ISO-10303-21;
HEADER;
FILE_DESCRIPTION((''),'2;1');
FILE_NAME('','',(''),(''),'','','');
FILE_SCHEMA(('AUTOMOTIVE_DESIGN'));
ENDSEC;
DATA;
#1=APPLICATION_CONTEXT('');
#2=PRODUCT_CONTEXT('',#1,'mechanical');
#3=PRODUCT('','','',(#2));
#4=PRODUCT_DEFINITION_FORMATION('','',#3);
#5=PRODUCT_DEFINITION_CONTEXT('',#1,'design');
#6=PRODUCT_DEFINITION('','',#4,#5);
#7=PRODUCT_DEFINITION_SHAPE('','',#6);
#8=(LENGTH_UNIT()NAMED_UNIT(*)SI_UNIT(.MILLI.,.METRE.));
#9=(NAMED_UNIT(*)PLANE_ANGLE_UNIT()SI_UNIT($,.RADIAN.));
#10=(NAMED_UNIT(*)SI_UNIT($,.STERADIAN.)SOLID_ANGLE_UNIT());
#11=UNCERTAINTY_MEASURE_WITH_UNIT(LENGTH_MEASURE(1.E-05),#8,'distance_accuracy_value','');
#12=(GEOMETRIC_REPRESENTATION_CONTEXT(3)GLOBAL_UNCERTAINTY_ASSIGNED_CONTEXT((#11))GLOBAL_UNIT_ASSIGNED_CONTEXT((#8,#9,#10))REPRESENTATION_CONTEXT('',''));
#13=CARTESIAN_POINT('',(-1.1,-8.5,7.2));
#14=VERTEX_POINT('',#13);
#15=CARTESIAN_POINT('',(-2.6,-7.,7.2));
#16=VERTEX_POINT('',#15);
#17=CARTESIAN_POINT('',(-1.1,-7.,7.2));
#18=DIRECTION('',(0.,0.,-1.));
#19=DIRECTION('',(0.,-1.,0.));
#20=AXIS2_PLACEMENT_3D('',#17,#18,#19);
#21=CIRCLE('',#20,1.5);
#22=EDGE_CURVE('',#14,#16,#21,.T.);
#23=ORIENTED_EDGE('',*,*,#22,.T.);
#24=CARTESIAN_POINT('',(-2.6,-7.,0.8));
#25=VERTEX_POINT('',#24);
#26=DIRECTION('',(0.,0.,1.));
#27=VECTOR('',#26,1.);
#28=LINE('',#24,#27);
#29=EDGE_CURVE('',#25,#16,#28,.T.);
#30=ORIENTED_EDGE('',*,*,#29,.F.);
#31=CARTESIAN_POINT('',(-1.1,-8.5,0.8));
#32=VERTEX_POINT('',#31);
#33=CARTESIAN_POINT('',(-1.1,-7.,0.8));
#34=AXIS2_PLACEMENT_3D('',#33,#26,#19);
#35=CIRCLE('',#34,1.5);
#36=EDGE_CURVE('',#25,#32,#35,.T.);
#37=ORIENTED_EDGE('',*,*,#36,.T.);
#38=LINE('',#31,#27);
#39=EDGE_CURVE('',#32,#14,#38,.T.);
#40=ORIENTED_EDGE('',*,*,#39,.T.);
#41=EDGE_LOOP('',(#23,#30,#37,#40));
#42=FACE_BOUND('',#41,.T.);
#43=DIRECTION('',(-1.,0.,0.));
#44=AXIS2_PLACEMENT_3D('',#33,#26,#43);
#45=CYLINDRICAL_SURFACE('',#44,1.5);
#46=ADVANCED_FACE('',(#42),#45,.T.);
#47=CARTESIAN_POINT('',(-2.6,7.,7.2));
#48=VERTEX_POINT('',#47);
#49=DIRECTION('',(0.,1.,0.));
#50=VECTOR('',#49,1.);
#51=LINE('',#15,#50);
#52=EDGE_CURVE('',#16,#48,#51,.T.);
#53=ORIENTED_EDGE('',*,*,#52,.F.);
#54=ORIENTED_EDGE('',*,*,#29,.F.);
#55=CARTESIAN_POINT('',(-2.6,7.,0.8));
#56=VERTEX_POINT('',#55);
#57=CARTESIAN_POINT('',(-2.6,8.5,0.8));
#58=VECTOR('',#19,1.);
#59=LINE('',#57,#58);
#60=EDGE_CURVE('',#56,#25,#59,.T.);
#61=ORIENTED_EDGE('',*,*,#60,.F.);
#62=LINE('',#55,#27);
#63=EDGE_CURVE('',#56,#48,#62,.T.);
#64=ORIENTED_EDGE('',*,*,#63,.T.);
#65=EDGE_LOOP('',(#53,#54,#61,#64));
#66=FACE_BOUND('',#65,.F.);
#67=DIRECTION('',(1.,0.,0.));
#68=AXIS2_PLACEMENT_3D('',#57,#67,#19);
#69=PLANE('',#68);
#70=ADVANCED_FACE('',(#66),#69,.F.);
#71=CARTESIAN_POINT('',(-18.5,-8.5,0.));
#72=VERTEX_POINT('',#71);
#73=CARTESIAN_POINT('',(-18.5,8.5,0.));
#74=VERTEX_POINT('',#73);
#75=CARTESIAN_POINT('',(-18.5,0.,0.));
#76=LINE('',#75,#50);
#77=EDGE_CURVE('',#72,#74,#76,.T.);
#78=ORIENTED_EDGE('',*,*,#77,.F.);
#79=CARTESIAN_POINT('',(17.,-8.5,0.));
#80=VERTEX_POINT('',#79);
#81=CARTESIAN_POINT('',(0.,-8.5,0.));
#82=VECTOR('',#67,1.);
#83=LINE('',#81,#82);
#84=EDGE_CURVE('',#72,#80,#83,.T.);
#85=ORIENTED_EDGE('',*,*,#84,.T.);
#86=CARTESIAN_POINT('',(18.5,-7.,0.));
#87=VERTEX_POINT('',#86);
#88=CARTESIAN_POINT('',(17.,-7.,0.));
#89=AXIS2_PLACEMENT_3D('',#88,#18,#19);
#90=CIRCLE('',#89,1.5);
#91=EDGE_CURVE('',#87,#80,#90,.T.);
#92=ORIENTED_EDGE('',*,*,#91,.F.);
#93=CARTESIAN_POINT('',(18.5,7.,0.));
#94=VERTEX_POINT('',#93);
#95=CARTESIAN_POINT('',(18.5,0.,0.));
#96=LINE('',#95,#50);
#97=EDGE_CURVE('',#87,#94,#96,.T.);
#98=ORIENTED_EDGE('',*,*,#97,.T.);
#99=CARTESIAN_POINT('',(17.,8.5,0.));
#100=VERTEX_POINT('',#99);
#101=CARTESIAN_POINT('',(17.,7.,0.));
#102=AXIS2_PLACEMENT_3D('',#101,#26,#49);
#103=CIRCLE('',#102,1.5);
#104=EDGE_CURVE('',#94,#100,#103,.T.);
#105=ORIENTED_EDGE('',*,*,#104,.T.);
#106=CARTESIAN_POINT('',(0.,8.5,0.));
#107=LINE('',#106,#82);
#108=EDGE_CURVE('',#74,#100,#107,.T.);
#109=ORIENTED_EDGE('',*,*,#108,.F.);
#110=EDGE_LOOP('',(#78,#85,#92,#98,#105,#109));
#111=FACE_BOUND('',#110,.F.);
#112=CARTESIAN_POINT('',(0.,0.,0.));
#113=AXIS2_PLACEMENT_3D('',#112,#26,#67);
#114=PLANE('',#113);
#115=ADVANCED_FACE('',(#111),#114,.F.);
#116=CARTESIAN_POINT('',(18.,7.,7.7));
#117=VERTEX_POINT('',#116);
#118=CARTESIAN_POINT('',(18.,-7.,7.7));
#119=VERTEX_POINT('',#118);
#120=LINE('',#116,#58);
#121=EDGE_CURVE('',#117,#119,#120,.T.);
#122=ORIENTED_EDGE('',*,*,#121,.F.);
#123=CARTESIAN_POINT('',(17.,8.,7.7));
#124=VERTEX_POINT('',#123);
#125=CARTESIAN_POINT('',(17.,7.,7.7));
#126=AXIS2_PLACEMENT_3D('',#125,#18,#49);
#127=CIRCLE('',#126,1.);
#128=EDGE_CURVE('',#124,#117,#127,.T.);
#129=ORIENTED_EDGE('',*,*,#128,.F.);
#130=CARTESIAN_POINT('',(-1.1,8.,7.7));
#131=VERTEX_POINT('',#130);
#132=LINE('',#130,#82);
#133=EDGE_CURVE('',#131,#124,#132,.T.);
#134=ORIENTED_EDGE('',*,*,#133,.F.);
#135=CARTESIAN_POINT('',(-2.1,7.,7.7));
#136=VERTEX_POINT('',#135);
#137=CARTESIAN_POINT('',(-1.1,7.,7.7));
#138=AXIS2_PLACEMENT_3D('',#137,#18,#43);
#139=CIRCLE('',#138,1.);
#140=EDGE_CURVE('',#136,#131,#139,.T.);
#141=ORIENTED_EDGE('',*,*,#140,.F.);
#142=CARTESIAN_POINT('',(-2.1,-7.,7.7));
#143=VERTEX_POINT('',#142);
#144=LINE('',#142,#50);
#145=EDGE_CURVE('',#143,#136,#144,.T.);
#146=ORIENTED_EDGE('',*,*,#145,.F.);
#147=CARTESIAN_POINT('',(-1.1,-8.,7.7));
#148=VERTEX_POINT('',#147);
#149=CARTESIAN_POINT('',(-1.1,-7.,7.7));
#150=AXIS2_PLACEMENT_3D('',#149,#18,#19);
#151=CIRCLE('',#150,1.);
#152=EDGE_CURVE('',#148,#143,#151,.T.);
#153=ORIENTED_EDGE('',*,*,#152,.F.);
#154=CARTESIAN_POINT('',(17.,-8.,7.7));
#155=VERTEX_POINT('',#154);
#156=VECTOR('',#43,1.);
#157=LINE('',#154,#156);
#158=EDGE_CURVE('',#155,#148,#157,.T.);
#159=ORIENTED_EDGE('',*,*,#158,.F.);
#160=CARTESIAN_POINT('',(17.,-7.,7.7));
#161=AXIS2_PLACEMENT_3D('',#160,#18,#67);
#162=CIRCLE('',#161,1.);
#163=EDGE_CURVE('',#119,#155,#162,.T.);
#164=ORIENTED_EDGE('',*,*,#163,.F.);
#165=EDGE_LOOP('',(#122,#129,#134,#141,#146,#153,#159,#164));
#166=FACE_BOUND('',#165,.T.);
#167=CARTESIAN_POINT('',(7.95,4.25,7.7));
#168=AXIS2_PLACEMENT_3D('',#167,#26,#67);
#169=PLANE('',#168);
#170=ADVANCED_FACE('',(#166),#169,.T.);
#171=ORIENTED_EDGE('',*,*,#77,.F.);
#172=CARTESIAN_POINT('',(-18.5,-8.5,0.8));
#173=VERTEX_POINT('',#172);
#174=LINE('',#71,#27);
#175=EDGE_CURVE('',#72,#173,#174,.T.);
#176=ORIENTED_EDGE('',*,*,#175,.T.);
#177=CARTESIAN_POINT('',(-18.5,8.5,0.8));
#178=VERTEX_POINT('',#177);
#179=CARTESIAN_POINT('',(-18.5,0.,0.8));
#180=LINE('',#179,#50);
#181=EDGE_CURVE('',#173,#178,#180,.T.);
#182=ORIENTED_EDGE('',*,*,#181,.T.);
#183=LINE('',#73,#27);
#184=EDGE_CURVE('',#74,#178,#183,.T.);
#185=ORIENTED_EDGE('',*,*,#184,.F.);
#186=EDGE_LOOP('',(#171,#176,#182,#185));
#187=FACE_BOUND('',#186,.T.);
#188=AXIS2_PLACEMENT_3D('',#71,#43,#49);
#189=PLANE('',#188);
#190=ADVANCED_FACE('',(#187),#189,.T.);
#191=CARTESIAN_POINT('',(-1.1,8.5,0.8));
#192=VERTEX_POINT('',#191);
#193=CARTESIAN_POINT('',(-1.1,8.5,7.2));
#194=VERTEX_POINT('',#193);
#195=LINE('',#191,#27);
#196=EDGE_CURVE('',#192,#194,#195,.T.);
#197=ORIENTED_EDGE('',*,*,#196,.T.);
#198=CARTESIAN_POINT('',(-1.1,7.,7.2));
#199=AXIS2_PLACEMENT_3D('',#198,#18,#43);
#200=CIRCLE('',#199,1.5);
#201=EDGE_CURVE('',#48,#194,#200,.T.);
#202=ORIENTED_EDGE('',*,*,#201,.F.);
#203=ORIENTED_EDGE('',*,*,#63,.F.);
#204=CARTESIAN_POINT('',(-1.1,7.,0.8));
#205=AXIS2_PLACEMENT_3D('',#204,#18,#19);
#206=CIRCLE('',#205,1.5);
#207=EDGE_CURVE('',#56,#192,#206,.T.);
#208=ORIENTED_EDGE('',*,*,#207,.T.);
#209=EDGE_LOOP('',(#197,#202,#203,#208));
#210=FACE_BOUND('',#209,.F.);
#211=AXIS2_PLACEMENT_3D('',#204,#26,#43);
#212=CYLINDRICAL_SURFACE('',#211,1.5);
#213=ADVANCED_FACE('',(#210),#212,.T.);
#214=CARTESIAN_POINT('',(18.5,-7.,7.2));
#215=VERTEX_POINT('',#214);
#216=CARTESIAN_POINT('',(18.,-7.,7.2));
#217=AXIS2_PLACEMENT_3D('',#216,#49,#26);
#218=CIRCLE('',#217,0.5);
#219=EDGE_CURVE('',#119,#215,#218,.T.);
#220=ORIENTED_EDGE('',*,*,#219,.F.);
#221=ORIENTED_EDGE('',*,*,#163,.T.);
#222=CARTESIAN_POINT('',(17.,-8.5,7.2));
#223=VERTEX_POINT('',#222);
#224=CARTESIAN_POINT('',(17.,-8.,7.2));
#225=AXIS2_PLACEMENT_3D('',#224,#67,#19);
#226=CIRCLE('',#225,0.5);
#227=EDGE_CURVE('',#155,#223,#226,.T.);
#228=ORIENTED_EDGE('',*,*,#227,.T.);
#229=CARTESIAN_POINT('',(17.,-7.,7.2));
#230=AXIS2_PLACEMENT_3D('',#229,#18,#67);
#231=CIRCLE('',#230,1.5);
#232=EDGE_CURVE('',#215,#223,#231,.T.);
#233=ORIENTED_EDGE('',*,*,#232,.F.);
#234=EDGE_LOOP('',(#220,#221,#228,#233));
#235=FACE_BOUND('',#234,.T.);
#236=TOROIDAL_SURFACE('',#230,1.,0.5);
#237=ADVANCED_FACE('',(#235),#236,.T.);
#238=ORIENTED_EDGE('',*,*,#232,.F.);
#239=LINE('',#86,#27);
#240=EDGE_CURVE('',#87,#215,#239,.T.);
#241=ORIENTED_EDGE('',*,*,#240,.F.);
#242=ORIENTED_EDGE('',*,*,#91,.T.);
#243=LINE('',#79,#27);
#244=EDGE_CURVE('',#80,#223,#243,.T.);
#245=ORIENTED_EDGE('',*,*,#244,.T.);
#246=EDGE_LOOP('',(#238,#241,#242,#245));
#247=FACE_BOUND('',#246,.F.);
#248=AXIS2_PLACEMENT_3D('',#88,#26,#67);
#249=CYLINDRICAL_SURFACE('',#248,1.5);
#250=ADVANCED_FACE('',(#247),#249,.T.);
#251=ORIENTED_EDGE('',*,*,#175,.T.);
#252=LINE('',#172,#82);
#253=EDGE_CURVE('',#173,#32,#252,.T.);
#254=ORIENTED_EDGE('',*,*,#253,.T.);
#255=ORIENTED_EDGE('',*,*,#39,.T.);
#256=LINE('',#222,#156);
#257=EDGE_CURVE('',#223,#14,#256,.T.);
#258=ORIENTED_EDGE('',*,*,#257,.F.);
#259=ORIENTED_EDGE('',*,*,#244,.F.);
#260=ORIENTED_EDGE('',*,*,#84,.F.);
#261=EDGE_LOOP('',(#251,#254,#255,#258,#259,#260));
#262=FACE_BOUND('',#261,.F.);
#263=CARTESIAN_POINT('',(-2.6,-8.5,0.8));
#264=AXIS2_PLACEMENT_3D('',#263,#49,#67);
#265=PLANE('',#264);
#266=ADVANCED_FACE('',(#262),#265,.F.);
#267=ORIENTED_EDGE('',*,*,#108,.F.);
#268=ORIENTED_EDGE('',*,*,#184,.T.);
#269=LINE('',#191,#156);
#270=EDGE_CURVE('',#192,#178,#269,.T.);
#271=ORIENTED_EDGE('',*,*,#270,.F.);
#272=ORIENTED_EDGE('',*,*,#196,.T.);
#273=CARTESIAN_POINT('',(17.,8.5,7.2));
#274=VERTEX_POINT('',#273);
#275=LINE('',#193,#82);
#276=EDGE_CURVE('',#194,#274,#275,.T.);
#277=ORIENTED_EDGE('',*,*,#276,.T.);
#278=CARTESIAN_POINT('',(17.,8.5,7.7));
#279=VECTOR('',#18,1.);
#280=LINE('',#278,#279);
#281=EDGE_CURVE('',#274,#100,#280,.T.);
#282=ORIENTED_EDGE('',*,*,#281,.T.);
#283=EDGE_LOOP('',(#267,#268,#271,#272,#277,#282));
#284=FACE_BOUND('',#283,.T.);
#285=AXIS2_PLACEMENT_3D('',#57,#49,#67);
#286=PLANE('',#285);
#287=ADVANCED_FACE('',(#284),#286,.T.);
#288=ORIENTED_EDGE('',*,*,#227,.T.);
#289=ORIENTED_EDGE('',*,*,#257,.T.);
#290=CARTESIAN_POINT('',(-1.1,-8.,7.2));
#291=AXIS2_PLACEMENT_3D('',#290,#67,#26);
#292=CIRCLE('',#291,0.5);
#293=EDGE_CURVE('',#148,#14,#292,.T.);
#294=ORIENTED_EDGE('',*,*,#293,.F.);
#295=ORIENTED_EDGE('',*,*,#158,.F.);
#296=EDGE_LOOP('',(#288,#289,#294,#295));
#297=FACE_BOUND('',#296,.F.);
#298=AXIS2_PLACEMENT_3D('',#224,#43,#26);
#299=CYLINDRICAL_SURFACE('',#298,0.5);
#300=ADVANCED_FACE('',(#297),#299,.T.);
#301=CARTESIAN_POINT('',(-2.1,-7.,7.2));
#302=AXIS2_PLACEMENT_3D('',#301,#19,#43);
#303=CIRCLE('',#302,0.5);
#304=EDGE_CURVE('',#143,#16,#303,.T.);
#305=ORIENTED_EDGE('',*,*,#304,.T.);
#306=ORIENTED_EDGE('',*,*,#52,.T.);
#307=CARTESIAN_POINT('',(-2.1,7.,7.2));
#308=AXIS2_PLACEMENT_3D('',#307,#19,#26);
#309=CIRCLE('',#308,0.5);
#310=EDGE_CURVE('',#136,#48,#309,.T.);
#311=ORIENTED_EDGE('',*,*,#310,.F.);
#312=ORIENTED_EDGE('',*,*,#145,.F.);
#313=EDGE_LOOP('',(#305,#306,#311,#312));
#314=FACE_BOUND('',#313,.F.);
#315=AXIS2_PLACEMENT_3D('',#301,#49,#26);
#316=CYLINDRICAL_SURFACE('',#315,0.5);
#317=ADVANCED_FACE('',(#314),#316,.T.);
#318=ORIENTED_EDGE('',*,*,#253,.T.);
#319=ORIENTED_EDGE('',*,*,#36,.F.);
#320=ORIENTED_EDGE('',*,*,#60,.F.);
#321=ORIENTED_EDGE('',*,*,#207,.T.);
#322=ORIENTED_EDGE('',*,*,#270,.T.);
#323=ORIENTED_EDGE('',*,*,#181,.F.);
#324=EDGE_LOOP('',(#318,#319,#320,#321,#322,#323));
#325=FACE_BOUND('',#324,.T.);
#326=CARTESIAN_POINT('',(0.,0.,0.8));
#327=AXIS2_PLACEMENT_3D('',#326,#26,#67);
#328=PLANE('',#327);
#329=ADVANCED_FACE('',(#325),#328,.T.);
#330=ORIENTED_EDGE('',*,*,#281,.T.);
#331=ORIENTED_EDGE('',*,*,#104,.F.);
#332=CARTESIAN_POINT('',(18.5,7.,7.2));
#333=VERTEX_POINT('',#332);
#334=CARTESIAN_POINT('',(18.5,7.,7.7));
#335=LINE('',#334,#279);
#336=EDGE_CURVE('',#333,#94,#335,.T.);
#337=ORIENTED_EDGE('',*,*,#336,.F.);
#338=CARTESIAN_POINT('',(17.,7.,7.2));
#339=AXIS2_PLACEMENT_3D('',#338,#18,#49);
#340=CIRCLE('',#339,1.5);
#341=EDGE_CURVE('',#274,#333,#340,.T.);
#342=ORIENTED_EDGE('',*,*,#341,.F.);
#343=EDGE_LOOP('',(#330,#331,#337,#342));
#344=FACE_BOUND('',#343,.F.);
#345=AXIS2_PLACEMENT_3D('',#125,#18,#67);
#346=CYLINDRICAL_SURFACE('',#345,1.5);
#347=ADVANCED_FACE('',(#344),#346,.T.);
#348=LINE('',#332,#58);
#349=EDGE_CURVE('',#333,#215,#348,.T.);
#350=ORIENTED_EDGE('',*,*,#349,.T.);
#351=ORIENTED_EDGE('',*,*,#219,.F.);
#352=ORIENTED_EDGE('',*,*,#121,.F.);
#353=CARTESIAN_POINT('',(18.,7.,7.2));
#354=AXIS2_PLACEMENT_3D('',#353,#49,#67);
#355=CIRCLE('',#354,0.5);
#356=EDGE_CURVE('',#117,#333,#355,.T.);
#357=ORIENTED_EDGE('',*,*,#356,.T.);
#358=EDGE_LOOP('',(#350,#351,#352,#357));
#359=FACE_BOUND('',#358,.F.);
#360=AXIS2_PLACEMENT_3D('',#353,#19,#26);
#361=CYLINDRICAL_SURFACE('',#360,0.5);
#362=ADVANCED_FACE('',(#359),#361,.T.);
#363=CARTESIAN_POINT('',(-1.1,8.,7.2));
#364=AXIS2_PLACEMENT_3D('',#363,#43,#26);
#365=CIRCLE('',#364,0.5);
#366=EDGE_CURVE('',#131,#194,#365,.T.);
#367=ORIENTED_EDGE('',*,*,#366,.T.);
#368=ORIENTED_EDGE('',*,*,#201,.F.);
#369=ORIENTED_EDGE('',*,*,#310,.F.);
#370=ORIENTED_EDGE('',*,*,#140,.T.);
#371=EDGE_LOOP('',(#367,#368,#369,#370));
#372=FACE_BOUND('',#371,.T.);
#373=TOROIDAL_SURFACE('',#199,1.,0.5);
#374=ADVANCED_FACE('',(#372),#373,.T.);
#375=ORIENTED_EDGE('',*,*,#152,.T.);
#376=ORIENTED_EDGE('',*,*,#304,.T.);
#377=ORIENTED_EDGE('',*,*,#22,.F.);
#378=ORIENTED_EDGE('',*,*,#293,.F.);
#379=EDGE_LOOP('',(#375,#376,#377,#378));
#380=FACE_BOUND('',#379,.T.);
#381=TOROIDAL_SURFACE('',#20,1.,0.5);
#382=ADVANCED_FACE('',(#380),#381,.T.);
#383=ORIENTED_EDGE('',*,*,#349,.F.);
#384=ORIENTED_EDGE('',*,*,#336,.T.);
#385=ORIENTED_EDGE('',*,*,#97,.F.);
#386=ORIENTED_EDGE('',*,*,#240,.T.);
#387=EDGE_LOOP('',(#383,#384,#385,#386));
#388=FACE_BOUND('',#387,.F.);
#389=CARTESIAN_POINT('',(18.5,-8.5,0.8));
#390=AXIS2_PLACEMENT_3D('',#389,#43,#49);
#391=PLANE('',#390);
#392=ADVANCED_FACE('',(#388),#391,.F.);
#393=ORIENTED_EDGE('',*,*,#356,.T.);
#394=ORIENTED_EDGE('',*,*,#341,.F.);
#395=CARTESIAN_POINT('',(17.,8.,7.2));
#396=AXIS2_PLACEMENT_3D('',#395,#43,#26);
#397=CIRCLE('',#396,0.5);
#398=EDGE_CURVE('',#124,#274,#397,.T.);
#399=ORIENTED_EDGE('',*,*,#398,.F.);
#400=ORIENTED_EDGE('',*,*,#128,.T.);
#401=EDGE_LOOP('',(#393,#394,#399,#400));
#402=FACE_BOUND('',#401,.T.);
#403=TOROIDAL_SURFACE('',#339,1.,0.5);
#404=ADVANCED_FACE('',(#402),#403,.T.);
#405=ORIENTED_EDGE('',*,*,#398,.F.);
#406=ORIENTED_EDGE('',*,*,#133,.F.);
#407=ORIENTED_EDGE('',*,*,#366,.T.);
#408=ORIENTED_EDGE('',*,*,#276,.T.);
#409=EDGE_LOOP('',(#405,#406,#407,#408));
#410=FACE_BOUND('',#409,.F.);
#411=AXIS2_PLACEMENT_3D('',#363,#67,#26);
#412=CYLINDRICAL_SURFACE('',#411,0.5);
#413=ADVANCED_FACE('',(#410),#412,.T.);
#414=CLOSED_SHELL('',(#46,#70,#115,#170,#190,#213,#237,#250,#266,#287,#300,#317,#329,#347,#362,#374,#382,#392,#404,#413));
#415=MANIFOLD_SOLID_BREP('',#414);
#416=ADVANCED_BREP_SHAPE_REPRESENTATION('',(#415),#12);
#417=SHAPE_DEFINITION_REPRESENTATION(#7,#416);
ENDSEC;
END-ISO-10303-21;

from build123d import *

# Parameters (mm, degrees)
F0_W     = 37
F0_H     = 17
F1_DEPTH = 0.8
F2_W     = 21.1
F2_H     = 8.5
F3_DEPTH = 6.9
F4_R     = 1.5
F5_R     = 0.5


with BuildPart() as f1:
    # F0 (on Top) → F1 (new body)
    with BuildSketch(Plane.XY):
        Rectangle(F0_W, F0_H)
    extrude(amount=F1_DEPTH)

    # F2 (on face) → F3 (join)
    with BuildSketch(Plane.XY.offset(0.8)):
        with Locations((7.95, 4.25)):
            Rectangle(F2_W, F2_H)
        with Locations((7.95, -4.25)):
            Rectangle(F2_W, F2_H)
    extrude(amount=F3_DEPTH)

    # F4
    f4_edges = [f1.edges().sort_by_distance(p)[0] for p in [
        (18.5, -8.5, 3.85),
        (18.5, 8.5, 3.85),
        (-2.6, 8.5, 4.25),
        (-2.6, -8.5, 4.25),
    ]]
    fillet(f4_edges, radius=F4_R)

    # F5
    f5_edges = [f1.edges().sort_by_distance(p)[0] for p in [
        (7.95, 8.5, 7.7),
    ]]
    fillet(f5_edges, radius=F5_R)


solid = f1.part
